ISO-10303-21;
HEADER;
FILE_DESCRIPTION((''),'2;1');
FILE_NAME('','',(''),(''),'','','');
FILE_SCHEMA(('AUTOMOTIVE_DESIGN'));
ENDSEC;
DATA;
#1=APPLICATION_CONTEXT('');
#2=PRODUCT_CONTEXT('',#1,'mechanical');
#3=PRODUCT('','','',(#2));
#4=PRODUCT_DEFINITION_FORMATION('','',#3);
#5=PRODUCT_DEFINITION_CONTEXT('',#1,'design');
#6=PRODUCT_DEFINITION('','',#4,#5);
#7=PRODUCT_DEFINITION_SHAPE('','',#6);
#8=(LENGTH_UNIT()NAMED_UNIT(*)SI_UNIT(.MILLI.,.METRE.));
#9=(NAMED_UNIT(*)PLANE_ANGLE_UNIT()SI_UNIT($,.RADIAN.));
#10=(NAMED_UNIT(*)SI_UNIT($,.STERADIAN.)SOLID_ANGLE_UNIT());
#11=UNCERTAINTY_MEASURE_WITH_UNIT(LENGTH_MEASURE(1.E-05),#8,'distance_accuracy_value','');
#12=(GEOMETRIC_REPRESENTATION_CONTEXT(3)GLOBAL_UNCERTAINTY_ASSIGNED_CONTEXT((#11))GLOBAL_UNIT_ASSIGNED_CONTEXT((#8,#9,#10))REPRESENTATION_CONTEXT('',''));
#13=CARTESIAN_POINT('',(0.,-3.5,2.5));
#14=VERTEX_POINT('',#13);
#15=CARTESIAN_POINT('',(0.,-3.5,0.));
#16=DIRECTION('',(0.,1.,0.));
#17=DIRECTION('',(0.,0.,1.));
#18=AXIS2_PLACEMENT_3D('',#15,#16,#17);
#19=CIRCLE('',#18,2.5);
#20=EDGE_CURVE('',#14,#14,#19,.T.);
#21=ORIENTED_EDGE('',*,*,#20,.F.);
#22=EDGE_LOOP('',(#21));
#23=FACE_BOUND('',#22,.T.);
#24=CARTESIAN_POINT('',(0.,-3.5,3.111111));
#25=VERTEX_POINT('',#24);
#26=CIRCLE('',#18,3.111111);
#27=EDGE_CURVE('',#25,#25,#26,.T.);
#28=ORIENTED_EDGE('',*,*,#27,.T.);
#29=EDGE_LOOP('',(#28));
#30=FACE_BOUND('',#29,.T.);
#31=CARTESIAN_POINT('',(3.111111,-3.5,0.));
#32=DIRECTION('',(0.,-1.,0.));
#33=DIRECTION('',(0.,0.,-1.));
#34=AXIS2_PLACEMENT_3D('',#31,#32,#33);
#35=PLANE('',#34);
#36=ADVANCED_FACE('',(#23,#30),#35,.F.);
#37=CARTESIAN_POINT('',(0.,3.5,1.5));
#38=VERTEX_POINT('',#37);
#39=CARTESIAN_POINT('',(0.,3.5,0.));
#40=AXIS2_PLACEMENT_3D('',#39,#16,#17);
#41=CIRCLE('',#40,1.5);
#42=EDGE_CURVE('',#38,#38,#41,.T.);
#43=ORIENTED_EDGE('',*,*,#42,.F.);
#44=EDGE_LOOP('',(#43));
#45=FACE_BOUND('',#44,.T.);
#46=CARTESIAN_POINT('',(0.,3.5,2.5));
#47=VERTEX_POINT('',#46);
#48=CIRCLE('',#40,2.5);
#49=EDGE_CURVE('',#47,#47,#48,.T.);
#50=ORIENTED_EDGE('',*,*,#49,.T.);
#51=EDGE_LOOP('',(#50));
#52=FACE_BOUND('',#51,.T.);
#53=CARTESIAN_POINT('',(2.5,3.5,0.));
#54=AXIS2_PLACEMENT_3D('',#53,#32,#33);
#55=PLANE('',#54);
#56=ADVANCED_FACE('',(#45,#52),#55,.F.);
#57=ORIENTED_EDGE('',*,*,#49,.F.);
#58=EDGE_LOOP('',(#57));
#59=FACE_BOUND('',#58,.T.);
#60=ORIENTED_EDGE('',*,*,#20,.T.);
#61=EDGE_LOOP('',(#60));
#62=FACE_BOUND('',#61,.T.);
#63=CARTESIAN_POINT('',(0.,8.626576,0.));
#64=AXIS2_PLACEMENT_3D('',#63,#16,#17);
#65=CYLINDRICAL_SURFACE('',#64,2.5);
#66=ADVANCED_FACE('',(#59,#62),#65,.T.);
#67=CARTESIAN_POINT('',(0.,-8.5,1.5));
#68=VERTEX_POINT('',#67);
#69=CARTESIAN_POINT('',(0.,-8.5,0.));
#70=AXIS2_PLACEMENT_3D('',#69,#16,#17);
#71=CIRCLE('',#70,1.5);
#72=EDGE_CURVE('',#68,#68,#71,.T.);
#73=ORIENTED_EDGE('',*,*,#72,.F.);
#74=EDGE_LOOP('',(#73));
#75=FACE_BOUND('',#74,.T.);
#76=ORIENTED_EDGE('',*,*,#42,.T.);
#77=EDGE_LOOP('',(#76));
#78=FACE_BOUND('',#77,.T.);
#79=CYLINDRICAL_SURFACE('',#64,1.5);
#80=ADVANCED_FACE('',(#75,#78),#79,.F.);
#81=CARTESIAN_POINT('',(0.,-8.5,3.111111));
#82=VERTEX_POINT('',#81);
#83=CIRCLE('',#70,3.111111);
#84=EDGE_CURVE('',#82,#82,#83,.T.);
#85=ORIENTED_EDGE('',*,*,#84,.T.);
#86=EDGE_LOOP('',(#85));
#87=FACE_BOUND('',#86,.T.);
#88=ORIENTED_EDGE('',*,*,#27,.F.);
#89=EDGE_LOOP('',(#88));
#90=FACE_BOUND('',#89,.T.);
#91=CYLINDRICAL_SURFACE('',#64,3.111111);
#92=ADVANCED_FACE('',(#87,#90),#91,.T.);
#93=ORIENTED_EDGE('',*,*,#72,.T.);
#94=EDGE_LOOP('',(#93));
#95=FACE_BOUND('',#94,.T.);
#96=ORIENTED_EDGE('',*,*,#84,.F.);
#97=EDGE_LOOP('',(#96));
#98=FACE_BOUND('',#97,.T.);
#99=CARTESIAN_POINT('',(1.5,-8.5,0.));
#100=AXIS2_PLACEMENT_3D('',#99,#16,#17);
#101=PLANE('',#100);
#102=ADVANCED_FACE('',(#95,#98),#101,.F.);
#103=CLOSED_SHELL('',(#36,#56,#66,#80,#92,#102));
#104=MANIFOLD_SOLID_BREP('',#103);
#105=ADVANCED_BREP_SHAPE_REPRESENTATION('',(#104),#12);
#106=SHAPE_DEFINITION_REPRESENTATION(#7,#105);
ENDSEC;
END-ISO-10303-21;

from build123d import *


with BuildPart() as part:
    # Esquisse1 → Révolution1 (revolve)
    with BuildSketch(Plane.XY):
        Polygon((1.5, 3.5), (1.5, -8.5), (3.111111111, -8.5), (3.111111111, -3.5), (2.5, -3.5), (2.5, 3.5), align=None)
    revolve(axis=Axis((0, 8.626576325, 0), (0, -1, 0)))


solid = part.part
